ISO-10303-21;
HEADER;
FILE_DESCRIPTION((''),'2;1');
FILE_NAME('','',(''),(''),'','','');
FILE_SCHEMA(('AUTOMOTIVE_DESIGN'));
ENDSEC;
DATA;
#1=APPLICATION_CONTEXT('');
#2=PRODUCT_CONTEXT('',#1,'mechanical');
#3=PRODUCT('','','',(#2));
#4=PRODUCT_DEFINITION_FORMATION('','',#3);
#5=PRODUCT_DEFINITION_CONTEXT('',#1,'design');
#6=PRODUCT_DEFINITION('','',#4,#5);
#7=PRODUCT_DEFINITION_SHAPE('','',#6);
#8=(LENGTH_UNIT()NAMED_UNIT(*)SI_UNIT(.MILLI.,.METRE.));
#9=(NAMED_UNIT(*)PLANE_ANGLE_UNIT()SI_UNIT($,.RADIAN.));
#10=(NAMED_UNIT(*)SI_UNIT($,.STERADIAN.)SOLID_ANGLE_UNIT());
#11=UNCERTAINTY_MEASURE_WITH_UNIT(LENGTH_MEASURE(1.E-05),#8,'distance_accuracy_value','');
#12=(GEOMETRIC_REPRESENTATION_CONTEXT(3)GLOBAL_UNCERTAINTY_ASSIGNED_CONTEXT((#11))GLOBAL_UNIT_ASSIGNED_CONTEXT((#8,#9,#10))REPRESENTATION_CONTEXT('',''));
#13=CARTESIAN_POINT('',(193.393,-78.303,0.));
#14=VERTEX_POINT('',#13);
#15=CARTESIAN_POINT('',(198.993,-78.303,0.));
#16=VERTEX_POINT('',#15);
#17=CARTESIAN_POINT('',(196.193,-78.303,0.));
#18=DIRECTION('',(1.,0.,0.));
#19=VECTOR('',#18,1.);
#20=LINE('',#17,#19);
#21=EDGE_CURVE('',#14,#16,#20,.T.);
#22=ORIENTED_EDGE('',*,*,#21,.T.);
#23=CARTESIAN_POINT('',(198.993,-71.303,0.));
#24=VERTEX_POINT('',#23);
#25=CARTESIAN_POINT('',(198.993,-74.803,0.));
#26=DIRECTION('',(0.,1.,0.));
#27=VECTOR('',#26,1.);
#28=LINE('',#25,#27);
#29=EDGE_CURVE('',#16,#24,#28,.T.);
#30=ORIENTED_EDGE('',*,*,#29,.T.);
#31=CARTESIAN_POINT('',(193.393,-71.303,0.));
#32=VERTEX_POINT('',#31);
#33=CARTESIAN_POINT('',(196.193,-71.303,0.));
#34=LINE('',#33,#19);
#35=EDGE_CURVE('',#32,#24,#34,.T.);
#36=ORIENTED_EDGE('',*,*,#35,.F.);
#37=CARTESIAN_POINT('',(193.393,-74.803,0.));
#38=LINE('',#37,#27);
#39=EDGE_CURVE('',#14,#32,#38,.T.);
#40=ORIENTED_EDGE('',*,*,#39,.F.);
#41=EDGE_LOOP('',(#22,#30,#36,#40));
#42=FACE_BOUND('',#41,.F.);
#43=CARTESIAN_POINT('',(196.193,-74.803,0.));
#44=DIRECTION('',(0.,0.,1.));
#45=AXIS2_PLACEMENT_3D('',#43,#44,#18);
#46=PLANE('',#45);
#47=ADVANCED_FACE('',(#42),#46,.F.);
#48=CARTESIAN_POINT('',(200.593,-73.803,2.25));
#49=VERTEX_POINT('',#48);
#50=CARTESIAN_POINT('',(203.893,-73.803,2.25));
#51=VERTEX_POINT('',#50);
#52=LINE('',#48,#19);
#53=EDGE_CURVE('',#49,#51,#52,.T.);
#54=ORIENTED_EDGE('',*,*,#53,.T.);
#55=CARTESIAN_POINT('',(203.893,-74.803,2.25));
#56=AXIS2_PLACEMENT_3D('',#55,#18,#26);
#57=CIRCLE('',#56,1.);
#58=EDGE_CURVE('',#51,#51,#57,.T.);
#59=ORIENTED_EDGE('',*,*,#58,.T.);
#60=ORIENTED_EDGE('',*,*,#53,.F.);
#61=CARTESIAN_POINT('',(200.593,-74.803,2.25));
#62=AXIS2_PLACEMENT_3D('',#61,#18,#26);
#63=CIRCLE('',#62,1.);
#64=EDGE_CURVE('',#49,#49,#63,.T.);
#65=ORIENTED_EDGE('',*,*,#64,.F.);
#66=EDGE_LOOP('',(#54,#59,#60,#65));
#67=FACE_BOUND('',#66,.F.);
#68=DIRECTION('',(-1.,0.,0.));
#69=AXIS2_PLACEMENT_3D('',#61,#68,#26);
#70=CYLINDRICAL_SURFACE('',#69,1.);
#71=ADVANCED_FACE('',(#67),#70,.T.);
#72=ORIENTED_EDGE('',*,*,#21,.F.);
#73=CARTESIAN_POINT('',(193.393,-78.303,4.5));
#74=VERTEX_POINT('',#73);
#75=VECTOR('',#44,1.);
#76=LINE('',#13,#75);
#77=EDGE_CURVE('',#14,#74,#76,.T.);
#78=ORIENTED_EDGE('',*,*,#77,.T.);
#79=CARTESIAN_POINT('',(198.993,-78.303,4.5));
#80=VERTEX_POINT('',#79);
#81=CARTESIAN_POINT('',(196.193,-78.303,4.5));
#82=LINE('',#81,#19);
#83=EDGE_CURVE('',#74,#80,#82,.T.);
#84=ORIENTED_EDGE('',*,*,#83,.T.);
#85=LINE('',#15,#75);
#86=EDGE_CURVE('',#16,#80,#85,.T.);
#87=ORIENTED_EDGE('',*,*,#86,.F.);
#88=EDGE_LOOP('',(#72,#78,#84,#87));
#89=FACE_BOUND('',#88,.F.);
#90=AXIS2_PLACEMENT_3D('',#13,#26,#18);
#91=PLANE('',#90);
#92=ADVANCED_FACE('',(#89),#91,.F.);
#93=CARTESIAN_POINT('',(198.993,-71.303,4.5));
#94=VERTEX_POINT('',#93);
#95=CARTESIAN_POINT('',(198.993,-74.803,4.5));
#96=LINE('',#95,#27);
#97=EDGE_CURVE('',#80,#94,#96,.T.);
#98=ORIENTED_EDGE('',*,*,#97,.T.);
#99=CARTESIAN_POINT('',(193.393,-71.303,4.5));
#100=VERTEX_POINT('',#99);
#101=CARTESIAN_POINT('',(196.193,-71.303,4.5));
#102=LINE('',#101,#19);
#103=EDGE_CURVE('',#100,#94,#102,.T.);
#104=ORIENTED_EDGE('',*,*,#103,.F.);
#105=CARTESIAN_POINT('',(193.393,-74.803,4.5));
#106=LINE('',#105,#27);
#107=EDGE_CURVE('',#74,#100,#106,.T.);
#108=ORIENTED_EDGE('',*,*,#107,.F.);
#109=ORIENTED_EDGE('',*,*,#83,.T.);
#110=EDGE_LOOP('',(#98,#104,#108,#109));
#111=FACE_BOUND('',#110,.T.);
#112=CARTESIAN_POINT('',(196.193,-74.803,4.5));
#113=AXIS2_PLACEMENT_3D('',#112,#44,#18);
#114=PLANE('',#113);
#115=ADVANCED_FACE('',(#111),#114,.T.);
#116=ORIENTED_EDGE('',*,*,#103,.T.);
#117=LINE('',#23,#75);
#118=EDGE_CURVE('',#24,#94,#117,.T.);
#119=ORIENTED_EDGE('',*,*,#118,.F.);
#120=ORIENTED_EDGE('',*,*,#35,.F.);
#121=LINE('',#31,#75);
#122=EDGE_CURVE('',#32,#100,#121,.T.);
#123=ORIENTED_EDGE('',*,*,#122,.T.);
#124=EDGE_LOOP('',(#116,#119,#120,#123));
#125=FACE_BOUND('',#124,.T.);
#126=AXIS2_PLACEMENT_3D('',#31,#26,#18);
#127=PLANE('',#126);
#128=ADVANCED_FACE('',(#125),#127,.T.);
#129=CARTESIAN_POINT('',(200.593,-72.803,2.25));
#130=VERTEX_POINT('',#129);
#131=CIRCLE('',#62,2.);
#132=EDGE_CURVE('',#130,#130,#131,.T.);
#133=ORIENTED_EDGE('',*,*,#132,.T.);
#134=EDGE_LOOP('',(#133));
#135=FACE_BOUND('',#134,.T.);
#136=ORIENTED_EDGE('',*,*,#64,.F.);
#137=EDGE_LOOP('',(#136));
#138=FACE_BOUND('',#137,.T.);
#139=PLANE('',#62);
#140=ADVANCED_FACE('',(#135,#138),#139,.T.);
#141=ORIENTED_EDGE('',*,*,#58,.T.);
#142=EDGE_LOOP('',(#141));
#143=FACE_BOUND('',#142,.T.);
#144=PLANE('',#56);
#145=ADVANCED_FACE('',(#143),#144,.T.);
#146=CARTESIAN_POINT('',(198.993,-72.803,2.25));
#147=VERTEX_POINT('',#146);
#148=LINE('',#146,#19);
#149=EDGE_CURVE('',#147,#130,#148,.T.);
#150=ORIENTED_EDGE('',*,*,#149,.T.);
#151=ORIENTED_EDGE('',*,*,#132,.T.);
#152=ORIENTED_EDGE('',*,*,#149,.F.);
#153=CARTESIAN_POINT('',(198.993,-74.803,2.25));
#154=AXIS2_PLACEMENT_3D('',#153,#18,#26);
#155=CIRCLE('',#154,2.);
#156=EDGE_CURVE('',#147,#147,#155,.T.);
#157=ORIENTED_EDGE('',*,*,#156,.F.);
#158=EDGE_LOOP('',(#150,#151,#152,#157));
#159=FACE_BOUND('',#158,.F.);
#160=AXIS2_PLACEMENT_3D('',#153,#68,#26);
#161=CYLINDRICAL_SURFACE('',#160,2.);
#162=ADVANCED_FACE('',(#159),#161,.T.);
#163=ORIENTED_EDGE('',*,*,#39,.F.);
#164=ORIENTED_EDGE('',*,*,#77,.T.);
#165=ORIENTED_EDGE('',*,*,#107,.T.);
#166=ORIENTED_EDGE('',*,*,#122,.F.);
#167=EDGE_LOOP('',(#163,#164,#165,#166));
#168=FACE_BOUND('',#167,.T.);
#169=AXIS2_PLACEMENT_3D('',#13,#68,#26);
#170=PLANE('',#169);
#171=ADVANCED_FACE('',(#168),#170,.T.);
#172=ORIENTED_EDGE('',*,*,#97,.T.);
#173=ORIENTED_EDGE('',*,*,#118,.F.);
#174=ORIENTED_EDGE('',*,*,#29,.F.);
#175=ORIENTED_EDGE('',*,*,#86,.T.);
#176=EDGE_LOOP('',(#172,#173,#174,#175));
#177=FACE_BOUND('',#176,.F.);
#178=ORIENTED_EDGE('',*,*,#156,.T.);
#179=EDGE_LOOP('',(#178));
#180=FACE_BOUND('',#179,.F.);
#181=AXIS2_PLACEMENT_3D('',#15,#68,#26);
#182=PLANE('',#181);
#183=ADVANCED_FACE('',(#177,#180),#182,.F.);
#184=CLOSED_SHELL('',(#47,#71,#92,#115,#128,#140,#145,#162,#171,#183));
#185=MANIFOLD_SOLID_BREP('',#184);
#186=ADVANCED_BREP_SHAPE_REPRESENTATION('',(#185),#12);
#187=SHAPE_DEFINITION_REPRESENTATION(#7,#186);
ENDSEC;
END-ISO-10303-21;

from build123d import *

# Parameters (mm, degrees)
SKETCH_W     = 5.6
SKETCH_H     = 7
PAD_DEPTH    = 4.5
SKETCH001_R  = 2
PAD001_DEPTH = 1.6
SKETCH002_R  = 1
PAD002_DEPTH = 3.3


with BuildPart() as part:
    # Sketch (on Face1 of CopyPcb_ca95) → Pad (new body)
    with BuildSketch(Plane.XY):
        with Locations((196.193, -74.803)):
            Rectangle(SKETCH_W, SKETCH_H)
    extrude(amount=PAD_DEPTH)

    # Sketch001 (on Face2 of Pad) → Pad001 (join)
    with BuildSketch(Plane.YZ.offset(198.993)):
        with Locations((-74.803, 2.25)):
            Circle(SKETCH001_R)
    extrude(amount=PAD001_DEPTH)

    # Sketch002 (on Face8 of Pad001) → Pad002 (join)
    with BuildSketch(Plane.YZ.offset(200.593)):
        with Locations((-74.803, 2.25)):
            Circle(SKETCH002_R)
    extrude(amount=PAD002_DEPTH)


solid = part.part
